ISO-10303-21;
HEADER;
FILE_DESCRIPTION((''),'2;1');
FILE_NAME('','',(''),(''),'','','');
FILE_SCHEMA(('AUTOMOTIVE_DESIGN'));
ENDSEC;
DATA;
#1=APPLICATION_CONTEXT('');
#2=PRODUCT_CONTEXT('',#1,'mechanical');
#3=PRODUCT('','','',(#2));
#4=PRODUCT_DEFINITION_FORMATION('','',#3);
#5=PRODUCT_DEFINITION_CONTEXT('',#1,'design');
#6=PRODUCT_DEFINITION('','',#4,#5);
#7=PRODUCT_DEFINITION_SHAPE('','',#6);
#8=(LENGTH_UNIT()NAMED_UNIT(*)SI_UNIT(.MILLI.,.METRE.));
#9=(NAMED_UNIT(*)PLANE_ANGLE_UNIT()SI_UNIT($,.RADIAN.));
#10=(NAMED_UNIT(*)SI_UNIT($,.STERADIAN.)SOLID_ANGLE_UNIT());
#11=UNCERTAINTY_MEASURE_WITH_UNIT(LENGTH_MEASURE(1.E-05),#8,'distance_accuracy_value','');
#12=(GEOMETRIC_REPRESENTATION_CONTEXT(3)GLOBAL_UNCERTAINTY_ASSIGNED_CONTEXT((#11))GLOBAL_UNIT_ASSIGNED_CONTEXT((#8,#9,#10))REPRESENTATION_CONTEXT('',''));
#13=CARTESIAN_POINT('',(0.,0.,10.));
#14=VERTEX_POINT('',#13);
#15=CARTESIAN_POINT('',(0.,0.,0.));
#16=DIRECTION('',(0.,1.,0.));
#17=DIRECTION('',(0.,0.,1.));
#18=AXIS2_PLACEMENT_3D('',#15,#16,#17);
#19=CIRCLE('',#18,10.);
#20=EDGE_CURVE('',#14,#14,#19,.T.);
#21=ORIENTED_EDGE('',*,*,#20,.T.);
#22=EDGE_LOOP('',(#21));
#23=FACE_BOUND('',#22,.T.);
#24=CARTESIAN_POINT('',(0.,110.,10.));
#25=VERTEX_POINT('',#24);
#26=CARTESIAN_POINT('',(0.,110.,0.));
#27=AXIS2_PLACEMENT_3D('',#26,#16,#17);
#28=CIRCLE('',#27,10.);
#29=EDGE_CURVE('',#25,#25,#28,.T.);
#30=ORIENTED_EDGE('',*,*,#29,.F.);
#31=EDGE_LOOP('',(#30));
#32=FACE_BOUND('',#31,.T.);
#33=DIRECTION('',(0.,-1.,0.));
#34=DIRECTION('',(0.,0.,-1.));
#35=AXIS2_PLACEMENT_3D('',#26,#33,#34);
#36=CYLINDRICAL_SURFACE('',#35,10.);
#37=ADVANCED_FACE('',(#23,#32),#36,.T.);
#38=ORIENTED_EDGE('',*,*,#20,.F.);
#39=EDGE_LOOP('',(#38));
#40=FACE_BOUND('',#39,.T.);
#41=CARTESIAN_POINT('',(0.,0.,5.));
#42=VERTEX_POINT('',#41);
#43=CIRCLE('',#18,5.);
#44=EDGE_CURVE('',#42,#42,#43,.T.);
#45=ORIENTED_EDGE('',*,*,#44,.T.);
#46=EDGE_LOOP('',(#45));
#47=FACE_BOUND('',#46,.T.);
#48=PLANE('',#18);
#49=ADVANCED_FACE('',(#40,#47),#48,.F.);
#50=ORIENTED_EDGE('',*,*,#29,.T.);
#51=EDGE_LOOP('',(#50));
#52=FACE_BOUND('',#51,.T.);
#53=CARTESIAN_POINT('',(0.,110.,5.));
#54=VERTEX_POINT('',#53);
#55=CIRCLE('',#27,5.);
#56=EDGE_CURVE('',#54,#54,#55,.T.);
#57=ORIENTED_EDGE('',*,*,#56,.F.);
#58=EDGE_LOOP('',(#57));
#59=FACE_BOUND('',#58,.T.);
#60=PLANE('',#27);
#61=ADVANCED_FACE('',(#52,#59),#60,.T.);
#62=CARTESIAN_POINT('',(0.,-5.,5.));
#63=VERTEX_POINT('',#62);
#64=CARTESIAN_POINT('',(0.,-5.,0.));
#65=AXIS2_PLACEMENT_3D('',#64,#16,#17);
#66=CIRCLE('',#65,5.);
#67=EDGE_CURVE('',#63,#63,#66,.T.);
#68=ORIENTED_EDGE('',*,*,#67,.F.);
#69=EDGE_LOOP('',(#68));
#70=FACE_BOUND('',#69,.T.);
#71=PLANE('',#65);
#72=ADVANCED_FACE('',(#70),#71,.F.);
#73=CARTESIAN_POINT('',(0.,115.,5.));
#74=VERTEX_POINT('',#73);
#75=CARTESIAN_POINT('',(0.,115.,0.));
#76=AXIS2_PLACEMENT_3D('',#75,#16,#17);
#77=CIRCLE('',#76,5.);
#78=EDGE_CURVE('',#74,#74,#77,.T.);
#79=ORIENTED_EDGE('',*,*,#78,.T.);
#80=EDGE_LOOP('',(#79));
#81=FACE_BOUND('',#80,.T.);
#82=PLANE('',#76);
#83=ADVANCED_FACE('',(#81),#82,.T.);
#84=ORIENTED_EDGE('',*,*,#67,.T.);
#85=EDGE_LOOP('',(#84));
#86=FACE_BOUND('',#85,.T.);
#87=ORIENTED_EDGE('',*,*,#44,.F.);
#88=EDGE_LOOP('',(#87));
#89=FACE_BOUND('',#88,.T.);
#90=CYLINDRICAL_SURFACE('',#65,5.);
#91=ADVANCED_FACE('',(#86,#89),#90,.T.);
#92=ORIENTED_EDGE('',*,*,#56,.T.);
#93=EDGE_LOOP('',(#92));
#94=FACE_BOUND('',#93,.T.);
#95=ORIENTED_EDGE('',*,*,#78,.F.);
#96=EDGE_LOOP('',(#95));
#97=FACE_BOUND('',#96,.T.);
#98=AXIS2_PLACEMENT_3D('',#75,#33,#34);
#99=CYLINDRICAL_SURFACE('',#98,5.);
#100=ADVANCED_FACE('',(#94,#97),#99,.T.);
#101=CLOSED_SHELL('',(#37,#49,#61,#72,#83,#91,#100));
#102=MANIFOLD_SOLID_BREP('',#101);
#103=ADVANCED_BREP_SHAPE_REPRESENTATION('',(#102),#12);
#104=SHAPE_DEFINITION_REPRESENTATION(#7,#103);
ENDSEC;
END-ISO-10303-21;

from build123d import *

# Parameters (mm, degrees)
SKETCH2_R           = 10
SKETCH2_R_2         = 5
BOSS_EXTRUDE1_DEPTH = 110
SKETCH2_2_R         = 5
BOSS_EXTRUDE2_DEPTH = 115
BOSS_EXTRUDE3_START = -5
SKETCH2_3_R         = 5
BOSS_EXTRUDE3_DEPTH = 5


with BuildPart() as part:
    # Sketch2 → Boss-Extrude1 (new body)
    with BuildSketch(Plane(origin=(0, 0, 0), x_dir=(1, 0, 0), z_dir=(0, 1, 0))):
        Circle(SKETCH2_R)
        Circle(SKETCH2_R_2, mode=Mode.SUBTRACT)
    extrude(amount=BOSS_EXTRUDE1_DEPTH)

    # Sketch2<2> → Boss-Extrude2 (add)
    with BuildSketch(Plane(origin=(0, 0, 0), x_dir=(1, 0, 0), z_dir=(0, 1, 0))):
        Circle(SKETCH2_2_R)
    extrude(amount=BOSS_EXTRUDE2_DEPTH)

    # Sketch2<3> → Boss-Extrude3 (add)
    with BuildSketch(Plane(origin=(0, 0, 0), x_dir=(1, 0, 0), z_dir=(0, 1, 0)).offset(BOSS_EXTRUDE3_START)):
        Circle(SKETCH2_3_R)
    extrude(amount=BOSS_EXTRUDE3_DEPTH)


solid = part.part
